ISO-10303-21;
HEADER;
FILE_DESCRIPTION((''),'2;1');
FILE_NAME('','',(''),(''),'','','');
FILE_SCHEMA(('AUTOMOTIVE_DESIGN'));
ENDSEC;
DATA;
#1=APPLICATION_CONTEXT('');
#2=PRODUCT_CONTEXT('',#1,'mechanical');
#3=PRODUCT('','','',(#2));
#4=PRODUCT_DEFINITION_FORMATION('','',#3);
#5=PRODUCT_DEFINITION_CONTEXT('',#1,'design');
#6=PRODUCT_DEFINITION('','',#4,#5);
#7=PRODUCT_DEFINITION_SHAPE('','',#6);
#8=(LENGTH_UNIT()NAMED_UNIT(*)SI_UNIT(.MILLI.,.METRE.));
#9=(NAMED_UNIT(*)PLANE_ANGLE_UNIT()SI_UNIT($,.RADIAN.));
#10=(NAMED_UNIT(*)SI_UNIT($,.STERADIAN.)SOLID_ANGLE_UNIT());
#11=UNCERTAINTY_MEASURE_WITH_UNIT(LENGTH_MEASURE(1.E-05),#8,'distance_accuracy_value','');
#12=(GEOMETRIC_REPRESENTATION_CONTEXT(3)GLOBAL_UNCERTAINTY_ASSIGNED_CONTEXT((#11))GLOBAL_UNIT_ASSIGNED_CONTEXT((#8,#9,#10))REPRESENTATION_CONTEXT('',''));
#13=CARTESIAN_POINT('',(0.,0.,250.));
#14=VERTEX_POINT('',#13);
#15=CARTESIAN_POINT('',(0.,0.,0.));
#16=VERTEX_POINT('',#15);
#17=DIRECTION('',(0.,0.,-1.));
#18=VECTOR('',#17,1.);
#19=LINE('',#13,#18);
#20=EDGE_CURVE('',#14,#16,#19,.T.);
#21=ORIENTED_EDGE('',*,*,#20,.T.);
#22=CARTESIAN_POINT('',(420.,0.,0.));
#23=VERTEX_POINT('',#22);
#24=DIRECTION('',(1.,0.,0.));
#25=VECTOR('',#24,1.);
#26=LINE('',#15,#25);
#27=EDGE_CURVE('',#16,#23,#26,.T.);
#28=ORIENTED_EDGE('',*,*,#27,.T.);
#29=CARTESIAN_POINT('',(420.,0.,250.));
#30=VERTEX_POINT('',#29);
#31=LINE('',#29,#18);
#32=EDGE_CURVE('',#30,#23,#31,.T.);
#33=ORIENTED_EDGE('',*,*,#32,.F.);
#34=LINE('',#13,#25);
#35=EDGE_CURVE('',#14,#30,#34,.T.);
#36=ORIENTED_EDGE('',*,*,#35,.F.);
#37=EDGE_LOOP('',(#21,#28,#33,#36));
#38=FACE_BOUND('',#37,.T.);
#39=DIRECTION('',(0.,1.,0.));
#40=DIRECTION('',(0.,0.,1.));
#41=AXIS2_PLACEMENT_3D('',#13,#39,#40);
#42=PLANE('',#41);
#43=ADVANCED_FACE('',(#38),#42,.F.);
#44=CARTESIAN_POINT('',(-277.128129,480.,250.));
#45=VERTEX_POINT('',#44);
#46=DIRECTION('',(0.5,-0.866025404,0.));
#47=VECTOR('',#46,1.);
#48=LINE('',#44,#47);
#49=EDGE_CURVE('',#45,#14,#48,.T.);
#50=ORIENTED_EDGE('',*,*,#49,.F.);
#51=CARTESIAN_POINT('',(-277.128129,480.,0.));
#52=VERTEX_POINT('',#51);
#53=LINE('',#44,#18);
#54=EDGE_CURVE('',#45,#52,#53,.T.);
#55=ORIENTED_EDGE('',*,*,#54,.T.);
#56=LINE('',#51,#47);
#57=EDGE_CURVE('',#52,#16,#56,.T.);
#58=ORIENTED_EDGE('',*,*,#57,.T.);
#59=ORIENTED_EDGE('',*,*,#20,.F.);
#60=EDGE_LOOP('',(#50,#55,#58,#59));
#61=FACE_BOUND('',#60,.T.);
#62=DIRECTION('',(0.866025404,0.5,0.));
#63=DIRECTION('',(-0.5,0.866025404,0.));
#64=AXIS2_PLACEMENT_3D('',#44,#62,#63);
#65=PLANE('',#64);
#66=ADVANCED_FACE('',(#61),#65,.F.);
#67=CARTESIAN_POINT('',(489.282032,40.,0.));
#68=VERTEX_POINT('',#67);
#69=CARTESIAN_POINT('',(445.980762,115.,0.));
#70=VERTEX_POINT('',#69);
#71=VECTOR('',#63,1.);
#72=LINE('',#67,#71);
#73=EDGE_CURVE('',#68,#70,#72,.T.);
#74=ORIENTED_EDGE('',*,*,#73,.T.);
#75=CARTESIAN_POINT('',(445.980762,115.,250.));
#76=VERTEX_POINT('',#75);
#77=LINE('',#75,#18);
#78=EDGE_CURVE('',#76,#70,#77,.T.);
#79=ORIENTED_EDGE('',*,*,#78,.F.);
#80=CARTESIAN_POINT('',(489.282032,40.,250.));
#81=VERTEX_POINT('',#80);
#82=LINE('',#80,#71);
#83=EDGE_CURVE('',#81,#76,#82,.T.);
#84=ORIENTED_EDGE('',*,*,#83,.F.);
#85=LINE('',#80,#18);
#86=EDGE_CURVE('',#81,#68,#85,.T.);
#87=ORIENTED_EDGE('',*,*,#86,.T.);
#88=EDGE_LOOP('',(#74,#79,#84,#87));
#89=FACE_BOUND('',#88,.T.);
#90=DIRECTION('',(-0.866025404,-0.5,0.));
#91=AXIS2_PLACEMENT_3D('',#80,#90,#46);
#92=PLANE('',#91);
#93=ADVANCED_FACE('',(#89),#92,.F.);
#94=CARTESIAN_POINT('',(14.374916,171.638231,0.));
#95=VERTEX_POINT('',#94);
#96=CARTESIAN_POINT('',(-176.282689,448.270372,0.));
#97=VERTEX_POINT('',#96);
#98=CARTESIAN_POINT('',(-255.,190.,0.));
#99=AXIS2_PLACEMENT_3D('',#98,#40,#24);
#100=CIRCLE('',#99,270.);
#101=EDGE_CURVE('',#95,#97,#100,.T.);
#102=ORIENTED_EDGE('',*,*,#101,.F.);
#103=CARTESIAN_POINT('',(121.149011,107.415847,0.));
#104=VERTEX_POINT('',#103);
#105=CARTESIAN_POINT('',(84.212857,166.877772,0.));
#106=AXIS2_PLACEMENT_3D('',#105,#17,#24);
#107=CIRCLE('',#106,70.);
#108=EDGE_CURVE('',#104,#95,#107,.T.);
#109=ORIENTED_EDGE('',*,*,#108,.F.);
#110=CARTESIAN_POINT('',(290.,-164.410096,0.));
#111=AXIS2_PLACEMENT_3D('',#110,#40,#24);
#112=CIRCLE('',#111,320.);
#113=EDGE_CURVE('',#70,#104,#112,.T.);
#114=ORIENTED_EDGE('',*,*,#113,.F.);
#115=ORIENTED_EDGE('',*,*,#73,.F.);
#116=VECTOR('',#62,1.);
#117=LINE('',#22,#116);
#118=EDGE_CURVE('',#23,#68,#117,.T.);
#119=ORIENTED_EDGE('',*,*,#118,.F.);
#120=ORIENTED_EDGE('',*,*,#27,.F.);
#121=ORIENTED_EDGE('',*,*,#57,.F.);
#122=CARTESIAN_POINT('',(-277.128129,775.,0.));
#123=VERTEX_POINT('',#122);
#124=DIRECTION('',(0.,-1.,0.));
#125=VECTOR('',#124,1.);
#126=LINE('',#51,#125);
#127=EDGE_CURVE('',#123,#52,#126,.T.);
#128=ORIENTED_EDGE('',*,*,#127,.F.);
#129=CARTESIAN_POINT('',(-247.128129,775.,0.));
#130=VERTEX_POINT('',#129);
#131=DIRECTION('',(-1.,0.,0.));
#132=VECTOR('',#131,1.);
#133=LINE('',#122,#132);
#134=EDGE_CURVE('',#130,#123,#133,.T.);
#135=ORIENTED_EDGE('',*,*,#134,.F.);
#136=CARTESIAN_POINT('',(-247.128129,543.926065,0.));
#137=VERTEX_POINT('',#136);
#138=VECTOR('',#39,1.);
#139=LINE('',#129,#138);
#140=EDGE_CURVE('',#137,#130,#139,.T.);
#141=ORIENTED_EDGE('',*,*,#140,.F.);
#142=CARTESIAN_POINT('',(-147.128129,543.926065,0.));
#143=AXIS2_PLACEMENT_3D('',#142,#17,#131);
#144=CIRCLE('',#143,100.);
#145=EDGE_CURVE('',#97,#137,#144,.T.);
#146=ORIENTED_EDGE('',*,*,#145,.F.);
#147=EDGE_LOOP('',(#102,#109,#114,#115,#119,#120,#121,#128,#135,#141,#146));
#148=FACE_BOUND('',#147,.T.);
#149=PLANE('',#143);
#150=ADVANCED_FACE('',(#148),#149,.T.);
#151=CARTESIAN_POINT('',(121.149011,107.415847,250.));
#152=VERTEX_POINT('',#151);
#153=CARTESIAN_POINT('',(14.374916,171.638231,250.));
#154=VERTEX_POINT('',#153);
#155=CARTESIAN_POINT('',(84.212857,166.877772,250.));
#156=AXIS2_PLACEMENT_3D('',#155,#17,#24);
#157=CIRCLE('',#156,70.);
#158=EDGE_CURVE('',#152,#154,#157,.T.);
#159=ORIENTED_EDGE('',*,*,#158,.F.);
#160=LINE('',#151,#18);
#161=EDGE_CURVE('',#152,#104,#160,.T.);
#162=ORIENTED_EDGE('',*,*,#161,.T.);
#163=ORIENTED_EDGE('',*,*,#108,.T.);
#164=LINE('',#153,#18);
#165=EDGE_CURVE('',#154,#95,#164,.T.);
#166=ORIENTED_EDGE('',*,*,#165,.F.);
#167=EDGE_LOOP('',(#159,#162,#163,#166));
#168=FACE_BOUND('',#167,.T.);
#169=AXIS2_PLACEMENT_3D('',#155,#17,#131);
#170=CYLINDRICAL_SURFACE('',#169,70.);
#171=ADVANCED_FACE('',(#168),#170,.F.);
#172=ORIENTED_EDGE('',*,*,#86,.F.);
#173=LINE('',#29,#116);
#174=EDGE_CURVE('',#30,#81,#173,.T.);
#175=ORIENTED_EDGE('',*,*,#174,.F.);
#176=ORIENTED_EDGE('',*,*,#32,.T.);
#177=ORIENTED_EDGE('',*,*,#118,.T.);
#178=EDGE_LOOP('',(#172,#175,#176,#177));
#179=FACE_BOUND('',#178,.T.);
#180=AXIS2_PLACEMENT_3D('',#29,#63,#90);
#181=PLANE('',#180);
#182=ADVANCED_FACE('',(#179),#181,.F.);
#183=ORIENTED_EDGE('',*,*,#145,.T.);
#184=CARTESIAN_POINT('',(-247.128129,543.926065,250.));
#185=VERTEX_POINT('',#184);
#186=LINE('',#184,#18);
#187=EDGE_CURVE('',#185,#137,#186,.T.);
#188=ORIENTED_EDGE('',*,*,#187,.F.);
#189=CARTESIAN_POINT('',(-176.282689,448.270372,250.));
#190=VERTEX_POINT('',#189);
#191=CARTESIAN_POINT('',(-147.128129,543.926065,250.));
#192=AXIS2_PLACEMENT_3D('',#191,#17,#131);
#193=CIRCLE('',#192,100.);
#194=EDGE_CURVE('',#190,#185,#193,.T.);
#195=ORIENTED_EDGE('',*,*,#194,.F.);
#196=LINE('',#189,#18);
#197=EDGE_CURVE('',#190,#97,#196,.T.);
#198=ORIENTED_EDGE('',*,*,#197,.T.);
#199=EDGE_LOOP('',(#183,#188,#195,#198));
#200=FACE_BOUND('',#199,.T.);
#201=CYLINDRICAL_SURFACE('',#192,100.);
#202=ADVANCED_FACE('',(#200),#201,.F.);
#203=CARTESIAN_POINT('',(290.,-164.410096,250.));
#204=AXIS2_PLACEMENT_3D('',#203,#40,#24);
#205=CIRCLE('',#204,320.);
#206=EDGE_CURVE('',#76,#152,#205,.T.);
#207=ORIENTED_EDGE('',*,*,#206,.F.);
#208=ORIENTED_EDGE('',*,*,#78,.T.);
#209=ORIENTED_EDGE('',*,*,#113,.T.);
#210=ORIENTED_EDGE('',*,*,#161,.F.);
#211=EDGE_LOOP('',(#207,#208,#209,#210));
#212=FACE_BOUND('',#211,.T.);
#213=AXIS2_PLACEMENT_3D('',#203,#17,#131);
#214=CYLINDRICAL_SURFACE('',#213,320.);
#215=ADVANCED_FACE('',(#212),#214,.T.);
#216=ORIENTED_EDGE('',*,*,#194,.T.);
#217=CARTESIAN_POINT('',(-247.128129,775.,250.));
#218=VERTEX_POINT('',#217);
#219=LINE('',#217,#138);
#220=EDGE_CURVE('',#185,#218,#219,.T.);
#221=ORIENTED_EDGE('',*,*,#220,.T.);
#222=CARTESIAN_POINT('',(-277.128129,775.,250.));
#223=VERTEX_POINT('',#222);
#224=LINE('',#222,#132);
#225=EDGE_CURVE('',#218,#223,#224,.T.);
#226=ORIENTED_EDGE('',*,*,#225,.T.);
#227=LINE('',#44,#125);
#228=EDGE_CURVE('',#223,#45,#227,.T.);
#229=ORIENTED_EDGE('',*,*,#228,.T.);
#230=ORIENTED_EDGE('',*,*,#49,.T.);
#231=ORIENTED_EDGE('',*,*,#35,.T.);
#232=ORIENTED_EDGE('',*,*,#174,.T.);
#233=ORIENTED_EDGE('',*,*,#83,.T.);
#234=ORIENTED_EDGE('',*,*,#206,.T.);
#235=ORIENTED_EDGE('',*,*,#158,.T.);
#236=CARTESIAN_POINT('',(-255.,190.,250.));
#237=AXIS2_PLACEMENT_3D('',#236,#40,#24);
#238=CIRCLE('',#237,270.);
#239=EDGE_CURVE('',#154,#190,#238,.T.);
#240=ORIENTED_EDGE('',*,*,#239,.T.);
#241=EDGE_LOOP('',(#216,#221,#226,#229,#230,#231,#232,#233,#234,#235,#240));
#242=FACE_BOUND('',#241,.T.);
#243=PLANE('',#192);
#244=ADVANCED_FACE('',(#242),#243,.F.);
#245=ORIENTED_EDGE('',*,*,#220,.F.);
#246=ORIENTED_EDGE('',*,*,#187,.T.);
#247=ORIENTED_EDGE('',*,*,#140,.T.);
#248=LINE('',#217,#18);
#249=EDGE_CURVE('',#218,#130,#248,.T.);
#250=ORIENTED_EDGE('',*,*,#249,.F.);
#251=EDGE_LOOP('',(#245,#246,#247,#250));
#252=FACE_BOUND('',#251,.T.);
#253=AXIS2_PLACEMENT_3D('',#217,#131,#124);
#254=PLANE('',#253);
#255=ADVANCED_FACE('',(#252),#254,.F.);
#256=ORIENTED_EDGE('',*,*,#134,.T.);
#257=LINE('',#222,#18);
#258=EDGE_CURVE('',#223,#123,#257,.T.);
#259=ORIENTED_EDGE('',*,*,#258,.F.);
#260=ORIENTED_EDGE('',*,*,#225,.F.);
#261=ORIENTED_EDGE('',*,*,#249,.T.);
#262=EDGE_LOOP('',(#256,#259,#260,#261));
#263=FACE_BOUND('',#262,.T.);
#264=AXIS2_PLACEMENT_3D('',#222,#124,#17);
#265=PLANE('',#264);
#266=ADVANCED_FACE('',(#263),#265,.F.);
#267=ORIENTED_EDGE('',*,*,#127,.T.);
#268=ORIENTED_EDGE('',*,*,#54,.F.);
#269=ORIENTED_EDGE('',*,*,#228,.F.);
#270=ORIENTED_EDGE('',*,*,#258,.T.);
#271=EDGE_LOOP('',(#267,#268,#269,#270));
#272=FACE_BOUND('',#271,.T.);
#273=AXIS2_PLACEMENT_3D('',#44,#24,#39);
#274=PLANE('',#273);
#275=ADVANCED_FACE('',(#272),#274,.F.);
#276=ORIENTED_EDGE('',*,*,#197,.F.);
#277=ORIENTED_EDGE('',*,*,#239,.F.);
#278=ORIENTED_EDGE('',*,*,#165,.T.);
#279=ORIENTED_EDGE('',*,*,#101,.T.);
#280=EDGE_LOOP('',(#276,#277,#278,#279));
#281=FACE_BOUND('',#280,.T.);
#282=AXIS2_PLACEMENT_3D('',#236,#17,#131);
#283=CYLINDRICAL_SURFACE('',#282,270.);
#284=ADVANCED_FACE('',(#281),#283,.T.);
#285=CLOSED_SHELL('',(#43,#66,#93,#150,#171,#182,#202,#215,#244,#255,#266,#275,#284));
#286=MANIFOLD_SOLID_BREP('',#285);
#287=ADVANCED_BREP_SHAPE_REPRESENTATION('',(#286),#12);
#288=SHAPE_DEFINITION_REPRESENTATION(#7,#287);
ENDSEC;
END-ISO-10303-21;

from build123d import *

# Parameters (mm, degrees)
BOSS_EXTRUDE1_DEPTH = 250


with BuildPart() as part:
    # Sketch2 → Boss-Extrude1 (new body)
    with BuildSketch(Plane.XY):
        with BuildLine():
            Line((-277.128129211, 480), (0, 0))
            Line((0, 0), (420, 0))
            Line((420, 0), (489.282032303, 40))
            Line((489.282032303, 40), (445.980762114, 115))
            ThreePointArc((445.980762114, 115), (282.530694349, 155.502719239), (121.149011162, 107.415847331))
            ThreePointArc((121.149011162, 107.415847331), (48.13293846, 106.892445498), (14.374916134, 171.638231083))
            ThreePointArc((14.374916134, 171.638231083), (-32.686291511, 343.220804781), (-176.282688884, 448.270371763))
            ThreePointArc((-176.282688884, 448.270371763), (-227.488119154, 484.4090757), (-247.128129211, 543.926065009))
            Line((-247.128129211, 543.926065009), (-247.128129211, 775))
            Line((-247.128129211, 775), (-277.128129211, 775))
            Line((-277.128129211, 775), (-277.128129211, 480))
        make_face()
    extrude(amount=BOSS_EXTRUDE1_DEPTH)


solid = part.part
